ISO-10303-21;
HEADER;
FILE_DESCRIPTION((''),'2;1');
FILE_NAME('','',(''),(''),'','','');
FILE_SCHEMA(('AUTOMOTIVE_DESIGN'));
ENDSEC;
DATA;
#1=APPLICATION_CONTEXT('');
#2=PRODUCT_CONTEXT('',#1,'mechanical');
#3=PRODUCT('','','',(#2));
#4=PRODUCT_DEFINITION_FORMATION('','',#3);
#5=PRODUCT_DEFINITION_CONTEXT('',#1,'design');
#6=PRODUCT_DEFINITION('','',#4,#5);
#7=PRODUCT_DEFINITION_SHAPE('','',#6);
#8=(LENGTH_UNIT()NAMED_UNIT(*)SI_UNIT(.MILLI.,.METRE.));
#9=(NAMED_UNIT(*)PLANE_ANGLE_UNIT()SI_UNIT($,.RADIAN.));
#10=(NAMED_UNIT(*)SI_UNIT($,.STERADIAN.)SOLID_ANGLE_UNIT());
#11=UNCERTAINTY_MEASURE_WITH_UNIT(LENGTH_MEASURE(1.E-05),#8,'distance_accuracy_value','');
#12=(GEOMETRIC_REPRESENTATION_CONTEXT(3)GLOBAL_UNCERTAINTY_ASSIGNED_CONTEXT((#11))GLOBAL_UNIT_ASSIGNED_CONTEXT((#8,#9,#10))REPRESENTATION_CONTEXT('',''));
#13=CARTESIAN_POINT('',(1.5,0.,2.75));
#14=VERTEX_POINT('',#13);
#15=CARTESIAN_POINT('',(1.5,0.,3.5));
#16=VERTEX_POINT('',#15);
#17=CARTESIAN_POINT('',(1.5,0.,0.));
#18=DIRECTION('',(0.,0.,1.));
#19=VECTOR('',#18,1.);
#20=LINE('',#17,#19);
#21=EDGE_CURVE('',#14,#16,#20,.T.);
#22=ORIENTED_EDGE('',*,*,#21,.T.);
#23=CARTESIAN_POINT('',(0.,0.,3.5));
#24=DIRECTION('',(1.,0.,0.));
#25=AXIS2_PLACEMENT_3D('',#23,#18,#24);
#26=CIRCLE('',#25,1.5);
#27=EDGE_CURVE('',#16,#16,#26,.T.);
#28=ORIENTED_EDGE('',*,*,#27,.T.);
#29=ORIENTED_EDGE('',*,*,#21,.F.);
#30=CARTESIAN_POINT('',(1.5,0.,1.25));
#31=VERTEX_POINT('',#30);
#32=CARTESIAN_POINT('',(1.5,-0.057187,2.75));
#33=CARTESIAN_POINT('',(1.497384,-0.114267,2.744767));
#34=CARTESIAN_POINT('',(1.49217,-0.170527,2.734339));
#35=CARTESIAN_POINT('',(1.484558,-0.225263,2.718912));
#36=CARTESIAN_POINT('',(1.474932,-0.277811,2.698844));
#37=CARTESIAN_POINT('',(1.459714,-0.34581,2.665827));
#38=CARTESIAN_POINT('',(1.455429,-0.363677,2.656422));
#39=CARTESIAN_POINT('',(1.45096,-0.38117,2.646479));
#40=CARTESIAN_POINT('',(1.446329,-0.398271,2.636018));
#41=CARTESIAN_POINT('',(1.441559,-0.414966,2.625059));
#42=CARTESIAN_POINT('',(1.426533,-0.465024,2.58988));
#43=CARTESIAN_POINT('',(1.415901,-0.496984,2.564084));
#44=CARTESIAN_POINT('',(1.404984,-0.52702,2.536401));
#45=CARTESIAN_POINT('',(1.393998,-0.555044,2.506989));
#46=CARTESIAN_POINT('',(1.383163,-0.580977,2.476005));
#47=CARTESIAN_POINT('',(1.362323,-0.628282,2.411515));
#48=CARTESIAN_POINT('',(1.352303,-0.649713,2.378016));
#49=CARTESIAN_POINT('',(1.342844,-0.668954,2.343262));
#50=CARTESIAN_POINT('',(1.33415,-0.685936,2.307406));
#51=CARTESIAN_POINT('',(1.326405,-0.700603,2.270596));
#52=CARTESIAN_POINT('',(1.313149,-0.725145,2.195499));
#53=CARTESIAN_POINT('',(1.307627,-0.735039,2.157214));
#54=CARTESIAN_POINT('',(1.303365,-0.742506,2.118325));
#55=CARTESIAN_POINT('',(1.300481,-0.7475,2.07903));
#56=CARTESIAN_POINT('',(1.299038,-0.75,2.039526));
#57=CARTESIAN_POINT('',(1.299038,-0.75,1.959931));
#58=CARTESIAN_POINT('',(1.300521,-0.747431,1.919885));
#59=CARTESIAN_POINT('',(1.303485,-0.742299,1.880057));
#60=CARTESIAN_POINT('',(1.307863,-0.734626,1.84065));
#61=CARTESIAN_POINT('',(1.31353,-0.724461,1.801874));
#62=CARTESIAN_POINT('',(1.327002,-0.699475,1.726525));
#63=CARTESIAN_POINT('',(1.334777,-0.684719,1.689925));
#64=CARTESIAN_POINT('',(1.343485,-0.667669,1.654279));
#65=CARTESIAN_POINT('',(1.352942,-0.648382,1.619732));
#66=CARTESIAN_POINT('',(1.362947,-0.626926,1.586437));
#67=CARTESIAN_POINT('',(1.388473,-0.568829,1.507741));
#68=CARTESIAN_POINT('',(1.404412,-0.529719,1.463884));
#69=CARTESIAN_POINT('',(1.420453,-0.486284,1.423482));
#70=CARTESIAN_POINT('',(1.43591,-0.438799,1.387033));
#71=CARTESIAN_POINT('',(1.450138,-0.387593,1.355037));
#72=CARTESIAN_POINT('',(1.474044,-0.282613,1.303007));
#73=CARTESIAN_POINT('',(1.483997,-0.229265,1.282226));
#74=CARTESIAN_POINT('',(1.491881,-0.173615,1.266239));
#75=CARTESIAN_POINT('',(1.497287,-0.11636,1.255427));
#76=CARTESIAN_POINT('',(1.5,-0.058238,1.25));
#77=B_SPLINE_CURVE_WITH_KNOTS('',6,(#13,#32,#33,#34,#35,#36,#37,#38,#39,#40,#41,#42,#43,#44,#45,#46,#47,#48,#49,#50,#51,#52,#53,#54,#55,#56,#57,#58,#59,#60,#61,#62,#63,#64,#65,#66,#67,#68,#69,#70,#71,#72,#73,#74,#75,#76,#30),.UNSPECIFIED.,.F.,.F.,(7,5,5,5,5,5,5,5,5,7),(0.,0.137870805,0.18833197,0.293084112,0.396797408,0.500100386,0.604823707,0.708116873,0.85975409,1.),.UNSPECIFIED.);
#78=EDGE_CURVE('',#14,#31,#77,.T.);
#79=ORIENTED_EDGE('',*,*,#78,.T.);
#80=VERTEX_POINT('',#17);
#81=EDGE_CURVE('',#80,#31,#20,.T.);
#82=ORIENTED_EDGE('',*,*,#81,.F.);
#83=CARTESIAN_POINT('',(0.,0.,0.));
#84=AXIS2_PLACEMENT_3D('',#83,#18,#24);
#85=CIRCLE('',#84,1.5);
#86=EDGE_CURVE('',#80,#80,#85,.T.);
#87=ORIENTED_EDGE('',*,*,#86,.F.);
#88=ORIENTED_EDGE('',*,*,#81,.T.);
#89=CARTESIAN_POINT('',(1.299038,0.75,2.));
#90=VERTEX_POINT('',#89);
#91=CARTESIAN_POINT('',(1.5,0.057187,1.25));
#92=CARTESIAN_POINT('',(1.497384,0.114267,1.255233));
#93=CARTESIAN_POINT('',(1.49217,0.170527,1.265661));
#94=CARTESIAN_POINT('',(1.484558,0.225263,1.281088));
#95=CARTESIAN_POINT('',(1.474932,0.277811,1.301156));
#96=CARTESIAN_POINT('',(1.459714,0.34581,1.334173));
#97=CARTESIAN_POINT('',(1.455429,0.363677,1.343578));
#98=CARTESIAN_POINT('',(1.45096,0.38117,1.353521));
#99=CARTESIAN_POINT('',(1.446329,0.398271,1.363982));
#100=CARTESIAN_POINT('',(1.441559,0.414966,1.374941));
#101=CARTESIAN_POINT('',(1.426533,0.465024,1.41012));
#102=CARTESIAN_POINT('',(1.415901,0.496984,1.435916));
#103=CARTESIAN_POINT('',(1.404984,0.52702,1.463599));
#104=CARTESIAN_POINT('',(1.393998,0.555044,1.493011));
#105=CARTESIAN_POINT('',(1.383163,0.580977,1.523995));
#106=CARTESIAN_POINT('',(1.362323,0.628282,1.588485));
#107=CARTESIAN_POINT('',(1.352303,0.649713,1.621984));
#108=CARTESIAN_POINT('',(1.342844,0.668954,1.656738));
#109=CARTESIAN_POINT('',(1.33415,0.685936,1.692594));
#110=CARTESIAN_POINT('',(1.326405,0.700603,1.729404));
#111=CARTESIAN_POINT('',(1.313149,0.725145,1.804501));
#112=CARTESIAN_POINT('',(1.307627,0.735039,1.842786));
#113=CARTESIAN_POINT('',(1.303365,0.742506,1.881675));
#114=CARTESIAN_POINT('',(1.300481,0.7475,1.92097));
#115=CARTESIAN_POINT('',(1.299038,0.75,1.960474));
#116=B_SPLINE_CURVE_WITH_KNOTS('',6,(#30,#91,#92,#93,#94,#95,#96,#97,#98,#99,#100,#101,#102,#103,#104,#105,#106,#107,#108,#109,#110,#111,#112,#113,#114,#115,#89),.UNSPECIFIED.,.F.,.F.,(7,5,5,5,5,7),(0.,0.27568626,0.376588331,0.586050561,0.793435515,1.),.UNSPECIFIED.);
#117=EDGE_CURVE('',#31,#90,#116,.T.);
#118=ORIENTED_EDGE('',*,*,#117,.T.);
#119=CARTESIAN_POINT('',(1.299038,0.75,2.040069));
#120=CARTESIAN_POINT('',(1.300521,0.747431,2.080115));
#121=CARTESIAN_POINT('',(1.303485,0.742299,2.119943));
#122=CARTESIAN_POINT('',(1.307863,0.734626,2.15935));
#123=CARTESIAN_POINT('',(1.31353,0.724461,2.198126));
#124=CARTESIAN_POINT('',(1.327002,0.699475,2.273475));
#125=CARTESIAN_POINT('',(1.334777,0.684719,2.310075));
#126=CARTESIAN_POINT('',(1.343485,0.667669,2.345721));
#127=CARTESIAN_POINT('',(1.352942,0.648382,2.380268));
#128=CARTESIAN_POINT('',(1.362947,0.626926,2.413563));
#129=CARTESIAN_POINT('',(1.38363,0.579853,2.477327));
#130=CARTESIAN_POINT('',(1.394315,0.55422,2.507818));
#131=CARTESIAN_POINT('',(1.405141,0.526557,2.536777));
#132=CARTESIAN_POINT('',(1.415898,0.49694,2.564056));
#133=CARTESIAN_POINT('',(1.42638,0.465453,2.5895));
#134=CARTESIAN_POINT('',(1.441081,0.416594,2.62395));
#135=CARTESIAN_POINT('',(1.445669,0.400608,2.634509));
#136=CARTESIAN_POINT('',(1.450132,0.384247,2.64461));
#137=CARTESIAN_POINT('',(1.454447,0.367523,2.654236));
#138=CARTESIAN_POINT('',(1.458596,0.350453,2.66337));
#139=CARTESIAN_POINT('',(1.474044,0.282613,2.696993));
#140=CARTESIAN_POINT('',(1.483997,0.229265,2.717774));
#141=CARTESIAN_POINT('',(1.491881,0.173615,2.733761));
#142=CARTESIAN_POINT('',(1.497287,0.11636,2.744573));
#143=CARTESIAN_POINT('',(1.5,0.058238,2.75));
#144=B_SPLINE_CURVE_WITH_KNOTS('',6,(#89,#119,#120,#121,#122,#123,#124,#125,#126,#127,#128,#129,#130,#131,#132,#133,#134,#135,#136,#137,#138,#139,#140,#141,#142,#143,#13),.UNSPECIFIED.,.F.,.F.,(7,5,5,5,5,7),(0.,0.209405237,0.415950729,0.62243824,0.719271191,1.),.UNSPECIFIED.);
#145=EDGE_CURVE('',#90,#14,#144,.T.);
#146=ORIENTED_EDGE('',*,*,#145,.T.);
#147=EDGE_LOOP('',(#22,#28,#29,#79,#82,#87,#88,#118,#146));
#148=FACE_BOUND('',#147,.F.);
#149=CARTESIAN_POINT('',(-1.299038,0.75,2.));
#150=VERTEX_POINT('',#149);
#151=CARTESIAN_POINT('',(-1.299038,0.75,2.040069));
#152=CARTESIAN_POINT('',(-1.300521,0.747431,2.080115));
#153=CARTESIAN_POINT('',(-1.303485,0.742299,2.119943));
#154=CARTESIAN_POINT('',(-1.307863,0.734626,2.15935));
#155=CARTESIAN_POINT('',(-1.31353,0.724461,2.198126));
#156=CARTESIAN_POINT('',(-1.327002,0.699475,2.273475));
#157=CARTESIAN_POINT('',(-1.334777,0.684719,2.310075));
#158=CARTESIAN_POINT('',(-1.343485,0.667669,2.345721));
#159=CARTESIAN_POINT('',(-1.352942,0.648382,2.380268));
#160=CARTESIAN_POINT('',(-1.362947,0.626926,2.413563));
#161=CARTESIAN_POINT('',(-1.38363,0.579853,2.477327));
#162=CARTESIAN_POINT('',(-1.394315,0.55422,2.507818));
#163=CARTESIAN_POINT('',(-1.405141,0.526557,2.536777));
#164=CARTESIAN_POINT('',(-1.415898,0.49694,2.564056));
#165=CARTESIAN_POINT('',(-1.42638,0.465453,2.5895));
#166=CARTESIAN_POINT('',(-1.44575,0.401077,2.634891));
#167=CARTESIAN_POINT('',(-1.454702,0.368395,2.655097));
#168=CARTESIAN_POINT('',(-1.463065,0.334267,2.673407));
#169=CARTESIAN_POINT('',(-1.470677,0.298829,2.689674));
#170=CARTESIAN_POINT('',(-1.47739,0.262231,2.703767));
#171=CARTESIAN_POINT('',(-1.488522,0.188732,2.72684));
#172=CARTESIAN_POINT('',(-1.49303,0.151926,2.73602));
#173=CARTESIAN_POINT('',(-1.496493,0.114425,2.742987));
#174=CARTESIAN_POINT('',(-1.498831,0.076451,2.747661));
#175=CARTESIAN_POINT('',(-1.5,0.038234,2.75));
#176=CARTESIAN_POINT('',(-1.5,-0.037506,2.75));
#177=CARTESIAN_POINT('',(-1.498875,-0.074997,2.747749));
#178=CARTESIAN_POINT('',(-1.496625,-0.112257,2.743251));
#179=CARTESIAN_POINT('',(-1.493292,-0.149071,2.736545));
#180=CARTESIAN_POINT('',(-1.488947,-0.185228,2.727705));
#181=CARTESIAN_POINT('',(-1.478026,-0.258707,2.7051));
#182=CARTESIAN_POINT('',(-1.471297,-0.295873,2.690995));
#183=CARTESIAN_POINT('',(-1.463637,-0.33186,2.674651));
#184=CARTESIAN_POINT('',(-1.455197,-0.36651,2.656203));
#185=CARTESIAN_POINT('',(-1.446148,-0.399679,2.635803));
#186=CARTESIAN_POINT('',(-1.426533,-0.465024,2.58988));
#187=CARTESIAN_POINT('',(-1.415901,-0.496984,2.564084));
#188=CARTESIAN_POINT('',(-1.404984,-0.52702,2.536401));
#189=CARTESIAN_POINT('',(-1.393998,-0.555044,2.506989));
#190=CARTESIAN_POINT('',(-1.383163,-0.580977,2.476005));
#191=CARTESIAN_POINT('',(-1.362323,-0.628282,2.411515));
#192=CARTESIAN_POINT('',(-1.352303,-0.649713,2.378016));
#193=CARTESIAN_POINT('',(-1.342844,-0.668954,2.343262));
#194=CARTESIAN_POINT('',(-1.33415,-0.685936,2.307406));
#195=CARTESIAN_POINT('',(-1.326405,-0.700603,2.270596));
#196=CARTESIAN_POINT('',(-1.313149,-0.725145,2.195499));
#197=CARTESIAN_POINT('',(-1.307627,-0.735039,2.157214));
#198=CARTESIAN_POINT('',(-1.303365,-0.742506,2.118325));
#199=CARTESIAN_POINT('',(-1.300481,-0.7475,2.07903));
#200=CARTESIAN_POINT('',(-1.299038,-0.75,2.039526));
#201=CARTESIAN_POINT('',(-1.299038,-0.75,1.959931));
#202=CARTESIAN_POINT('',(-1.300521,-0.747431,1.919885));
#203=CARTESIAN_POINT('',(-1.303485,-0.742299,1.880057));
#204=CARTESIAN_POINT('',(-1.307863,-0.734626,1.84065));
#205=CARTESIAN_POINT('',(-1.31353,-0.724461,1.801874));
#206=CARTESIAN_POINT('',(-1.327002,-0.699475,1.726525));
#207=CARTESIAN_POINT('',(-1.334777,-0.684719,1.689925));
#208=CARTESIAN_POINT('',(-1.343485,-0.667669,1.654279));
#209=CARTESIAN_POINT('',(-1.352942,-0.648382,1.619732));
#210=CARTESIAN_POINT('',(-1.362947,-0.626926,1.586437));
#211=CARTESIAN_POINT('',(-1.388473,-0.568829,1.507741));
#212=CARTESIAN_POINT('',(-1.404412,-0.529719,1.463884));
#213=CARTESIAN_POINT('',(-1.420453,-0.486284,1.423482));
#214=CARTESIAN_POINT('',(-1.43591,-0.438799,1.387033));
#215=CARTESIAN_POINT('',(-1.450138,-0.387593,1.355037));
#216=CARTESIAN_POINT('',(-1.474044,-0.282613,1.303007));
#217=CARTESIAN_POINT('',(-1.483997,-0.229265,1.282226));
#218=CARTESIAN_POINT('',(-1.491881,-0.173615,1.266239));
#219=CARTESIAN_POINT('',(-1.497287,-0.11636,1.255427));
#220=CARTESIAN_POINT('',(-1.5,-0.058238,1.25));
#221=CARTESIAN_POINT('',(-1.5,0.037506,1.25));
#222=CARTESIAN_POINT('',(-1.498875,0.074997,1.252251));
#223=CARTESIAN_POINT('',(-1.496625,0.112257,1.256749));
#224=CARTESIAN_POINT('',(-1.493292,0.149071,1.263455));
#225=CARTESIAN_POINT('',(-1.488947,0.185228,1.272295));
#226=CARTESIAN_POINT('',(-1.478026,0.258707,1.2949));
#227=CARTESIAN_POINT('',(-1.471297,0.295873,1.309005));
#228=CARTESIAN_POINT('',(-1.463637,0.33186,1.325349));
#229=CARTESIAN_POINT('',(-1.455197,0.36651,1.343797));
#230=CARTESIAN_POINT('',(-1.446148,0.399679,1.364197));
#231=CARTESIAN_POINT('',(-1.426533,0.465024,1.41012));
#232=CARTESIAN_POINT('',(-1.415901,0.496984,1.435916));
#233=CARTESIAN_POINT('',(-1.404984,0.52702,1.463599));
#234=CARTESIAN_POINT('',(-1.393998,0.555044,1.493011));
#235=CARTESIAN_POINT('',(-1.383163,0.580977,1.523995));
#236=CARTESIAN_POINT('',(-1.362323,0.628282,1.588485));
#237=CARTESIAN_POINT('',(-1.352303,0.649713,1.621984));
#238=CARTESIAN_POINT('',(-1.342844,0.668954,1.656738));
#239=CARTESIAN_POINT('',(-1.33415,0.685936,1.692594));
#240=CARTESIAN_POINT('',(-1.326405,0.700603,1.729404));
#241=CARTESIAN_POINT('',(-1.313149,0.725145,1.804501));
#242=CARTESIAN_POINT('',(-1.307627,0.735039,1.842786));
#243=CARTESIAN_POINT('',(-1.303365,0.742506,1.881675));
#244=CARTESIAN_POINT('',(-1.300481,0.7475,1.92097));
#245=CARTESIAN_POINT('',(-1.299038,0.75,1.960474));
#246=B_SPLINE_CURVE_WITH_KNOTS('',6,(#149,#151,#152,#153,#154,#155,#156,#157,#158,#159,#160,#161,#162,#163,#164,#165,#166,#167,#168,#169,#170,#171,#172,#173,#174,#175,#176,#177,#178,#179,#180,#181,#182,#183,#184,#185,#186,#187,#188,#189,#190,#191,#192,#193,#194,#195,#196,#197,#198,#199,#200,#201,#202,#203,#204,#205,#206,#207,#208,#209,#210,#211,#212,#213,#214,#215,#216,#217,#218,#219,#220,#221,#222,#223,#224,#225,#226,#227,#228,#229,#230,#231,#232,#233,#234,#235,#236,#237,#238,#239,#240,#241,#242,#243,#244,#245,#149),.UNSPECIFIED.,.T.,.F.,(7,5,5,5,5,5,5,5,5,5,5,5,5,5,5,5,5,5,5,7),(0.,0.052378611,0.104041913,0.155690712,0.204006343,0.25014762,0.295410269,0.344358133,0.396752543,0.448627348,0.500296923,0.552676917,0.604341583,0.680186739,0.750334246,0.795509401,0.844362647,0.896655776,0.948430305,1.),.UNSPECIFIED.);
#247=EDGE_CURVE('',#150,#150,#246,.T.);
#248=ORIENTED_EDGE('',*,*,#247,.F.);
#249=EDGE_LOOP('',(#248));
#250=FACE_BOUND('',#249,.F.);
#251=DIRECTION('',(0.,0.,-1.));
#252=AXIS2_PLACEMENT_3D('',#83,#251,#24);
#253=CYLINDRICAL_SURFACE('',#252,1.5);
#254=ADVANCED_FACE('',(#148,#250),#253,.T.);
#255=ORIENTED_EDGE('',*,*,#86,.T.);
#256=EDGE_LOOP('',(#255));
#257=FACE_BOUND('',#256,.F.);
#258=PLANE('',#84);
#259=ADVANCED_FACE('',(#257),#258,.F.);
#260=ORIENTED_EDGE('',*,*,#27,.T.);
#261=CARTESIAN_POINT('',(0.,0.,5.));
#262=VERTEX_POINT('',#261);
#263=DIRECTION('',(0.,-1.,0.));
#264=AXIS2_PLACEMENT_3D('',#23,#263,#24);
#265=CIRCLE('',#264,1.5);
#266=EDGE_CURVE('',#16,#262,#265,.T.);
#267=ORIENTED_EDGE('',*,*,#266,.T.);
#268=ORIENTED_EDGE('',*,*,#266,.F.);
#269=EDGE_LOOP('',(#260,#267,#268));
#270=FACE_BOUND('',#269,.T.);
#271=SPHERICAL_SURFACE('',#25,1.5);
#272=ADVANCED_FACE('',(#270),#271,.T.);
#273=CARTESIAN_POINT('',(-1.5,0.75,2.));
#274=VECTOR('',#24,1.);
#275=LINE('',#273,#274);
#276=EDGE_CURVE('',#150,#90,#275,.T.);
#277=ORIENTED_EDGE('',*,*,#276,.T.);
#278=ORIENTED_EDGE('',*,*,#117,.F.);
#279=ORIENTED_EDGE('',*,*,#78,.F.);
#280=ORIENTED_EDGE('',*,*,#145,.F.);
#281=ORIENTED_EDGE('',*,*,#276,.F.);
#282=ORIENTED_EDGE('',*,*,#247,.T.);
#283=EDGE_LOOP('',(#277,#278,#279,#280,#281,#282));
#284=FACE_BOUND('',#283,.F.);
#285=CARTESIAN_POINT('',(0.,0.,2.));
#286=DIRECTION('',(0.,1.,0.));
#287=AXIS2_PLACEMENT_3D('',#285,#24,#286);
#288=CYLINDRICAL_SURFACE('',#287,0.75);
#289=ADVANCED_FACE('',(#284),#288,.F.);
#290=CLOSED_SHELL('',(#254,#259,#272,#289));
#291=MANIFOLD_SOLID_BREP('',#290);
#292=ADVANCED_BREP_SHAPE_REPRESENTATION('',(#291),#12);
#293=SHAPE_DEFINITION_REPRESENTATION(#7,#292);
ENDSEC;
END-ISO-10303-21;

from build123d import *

# Parameters (mm, degrees)
F0_R     = 1.5
F1_DEPTH = 5
F2_R     = 1.5
F3_R     = 0.75
F4_DEPTH = 1.5


with BuildPart() as f1:
    # F0 (on Top) → F1 (new body)
    with BuildSketch(Plane.XY):
        Circle(F0_R)
    extrude(amount=F1_DEPTH)

    # F2
    f2_edges = [f1.edges().sort_by_distance(p)[0] for p in [
        (-1.5, 0, 5),
    ]]
    fillet(f2_edges, radius=F2_R)

    # F3 (on Right) → F4 (cut, symmetric)
    with BuildSketch(Plane.YZ):
        with Locations((0, 2)):
            Circle(F3_R)
    extrude(amount=F4_DEPTH, both=True, mode=Mode.SUBTRACT)


solid = f1.part
